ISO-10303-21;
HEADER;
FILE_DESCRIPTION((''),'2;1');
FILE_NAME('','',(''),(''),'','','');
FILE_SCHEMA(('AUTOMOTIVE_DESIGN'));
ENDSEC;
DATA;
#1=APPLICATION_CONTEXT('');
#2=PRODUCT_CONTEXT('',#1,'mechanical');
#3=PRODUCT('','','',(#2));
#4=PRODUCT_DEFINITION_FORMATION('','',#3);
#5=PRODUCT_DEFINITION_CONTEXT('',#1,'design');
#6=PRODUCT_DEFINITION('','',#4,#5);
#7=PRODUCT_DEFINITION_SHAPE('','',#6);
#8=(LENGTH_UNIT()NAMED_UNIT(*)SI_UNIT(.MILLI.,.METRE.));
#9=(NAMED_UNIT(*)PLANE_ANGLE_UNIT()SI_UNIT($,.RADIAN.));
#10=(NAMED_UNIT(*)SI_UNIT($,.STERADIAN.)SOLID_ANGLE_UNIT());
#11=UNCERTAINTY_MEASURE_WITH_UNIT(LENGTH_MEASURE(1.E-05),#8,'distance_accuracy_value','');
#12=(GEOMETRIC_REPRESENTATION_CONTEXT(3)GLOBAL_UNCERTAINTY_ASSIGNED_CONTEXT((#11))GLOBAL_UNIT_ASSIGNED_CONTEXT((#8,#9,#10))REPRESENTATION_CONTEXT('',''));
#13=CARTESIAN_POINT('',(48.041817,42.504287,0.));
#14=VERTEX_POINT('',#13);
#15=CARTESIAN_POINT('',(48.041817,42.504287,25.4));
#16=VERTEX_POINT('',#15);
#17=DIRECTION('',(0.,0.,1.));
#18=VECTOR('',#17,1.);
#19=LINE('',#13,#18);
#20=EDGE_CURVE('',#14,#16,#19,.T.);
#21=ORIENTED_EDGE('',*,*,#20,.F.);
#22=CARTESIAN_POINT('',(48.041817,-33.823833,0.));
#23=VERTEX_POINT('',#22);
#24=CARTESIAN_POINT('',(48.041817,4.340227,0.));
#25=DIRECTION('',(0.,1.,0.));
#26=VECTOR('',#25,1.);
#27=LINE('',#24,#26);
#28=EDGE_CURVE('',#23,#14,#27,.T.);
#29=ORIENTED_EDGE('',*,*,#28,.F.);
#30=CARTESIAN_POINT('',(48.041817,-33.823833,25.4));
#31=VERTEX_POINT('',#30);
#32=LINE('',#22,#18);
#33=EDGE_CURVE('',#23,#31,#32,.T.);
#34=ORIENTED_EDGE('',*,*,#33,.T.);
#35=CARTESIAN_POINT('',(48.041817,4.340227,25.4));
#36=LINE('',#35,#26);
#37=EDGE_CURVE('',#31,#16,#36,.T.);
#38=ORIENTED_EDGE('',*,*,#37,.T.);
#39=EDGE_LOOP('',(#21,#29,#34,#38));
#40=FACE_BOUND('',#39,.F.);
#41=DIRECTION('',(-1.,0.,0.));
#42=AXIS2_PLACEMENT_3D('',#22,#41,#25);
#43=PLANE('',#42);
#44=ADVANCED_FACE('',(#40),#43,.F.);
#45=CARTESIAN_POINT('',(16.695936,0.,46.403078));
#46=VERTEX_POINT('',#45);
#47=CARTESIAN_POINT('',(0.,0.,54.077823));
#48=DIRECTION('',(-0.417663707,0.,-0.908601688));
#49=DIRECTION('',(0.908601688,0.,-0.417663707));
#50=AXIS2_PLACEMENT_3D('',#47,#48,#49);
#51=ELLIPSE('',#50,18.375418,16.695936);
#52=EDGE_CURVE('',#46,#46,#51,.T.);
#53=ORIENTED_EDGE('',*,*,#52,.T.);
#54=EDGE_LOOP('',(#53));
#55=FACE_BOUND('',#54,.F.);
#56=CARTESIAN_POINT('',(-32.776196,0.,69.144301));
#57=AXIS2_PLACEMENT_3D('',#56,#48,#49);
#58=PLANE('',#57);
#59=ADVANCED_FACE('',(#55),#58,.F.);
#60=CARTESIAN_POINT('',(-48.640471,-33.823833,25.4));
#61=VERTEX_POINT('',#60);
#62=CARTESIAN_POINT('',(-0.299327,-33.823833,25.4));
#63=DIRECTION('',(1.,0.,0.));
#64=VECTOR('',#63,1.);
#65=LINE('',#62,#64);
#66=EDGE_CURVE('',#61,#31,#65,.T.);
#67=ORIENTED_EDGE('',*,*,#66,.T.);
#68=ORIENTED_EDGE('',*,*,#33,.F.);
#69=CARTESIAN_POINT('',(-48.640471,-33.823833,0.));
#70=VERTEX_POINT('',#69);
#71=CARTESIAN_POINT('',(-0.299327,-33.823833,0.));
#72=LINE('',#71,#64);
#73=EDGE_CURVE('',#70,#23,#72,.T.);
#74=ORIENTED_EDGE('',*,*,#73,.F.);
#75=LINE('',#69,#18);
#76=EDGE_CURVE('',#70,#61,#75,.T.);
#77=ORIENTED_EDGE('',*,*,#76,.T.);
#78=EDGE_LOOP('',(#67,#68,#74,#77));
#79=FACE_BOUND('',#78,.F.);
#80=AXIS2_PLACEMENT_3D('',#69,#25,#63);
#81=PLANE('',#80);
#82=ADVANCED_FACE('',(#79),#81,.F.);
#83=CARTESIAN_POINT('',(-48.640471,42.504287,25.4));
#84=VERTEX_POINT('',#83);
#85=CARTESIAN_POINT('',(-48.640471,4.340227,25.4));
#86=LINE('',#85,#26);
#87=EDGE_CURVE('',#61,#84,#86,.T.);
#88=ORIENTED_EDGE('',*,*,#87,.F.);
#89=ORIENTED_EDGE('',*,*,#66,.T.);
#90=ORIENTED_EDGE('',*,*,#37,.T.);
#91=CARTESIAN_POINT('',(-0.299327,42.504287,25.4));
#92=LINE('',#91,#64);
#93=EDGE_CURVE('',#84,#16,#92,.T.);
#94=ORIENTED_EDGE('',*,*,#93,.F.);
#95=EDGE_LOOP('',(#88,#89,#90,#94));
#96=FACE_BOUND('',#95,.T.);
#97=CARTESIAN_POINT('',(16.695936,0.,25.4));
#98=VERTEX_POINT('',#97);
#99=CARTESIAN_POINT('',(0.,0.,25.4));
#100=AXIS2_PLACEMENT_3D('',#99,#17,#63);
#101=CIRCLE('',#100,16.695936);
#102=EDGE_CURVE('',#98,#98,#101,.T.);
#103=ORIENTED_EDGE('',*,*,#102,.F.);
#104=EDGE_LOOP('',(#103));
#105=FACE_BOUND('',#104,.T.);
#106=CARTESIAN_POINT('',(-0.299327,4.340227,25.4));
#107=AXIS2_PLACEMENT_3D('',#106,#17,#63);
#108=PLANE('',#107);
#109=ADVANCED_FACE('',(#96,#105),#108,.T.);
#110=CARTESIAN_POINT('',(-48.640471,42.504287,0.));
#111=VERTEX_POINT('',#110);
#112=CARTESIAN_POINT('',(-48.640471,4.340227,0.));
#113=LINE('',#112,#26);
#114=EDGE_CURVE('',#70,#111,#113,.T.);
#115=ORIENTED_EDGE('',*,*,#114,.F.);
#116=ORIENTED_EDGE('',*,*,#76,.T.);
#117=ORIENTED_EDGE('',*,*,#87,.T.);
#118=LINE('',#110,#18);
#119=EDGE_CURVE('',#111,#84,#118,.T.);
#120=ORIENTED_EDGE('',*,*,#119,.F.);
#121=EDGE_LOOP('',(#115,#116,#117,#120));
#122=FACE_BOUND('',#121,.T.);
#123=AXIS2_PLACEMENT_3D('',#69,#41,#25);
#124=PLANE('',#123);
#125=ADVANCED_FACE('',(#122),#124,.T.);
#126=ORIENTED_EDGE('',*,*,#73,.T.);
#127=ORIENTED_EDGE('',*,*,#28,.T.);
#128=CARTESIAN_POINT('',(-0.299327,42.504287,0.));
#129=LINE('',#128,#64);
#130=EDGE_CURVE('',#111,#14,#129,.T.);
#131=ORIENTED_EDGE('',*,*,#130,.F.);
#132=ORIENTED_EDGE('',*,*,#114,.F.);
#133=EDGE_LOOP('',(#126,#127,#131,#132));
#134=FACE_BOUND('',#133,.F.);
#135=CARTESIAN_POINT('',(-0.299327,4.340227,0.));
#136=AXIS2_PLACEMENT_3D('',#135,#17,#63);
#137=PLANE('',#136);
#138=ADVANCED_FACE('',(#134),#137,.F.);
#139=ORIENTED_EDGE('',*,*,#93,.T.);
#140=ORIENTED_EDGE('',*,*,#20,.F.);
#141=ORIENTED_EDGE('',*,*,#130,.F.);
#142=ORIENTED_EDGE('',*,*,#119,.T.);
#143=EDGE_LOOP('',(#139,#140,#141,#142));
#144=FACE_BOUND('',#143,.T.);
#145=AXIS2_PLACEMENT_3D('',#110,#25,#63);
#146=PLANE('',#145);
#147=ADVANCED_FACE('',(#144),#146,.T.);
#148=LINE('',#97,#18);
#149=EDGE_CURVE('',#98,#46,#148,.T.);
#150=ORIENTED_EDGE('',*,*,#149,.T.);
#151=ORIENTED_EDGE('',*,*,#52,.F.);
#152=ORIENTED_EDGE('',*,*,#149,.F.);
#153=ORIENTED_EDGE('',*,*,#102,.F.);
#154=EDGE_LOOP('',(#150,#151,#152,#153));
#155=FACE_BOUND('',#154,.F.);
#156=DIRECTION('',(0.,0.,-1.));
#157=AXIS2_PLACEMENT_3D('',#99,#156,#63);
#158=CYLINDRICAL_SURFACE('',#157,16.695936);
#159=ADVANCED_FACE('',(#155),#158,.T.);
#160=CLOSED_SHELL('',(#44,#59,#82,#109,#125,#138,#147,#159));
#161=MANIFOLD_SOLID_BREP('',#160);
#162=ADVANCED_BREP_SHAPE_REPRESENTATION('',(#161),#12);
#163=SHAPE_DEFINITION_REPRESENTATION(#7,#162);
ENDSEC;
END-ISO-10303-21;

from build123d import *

# Parameters (mm, degrees)
F0_W     = 96.682288
F0_H     = 76.328121
F1_DEPTH = 25.4
F2_R     = 16.695936
F3_DEPTH = 38.1
F5_DEPTH = 38.1


with BuildPart() as f1:
    # F0 (on Top) → F1 (new body)
    with BuildSketch(Plane.XY):
        with Locations((-0.299327, 4.340227)):
            Rectangle(F0_W, F0_H)
    extrude(amount=F1_DEPTH)

    # F2 (on face) → F3 (join)
    with BuildSketch(Plane.XY.offset(25.4)):
        Circle(F2_R)
    extrude(amount=F3_DEPTH)

    # F4 (on Front) → F5 (cut, symmetric)
    with BuildSketch(Plane.XZ):
        Polygon((41.456647, 69.144301), (-32.776196, 69.144301), (41.456647, 35.021137), align=None)
    extrude(amount=F5_DEPTH, both=True, mode=Mode.SUBTRACT)


solid = f1.part
